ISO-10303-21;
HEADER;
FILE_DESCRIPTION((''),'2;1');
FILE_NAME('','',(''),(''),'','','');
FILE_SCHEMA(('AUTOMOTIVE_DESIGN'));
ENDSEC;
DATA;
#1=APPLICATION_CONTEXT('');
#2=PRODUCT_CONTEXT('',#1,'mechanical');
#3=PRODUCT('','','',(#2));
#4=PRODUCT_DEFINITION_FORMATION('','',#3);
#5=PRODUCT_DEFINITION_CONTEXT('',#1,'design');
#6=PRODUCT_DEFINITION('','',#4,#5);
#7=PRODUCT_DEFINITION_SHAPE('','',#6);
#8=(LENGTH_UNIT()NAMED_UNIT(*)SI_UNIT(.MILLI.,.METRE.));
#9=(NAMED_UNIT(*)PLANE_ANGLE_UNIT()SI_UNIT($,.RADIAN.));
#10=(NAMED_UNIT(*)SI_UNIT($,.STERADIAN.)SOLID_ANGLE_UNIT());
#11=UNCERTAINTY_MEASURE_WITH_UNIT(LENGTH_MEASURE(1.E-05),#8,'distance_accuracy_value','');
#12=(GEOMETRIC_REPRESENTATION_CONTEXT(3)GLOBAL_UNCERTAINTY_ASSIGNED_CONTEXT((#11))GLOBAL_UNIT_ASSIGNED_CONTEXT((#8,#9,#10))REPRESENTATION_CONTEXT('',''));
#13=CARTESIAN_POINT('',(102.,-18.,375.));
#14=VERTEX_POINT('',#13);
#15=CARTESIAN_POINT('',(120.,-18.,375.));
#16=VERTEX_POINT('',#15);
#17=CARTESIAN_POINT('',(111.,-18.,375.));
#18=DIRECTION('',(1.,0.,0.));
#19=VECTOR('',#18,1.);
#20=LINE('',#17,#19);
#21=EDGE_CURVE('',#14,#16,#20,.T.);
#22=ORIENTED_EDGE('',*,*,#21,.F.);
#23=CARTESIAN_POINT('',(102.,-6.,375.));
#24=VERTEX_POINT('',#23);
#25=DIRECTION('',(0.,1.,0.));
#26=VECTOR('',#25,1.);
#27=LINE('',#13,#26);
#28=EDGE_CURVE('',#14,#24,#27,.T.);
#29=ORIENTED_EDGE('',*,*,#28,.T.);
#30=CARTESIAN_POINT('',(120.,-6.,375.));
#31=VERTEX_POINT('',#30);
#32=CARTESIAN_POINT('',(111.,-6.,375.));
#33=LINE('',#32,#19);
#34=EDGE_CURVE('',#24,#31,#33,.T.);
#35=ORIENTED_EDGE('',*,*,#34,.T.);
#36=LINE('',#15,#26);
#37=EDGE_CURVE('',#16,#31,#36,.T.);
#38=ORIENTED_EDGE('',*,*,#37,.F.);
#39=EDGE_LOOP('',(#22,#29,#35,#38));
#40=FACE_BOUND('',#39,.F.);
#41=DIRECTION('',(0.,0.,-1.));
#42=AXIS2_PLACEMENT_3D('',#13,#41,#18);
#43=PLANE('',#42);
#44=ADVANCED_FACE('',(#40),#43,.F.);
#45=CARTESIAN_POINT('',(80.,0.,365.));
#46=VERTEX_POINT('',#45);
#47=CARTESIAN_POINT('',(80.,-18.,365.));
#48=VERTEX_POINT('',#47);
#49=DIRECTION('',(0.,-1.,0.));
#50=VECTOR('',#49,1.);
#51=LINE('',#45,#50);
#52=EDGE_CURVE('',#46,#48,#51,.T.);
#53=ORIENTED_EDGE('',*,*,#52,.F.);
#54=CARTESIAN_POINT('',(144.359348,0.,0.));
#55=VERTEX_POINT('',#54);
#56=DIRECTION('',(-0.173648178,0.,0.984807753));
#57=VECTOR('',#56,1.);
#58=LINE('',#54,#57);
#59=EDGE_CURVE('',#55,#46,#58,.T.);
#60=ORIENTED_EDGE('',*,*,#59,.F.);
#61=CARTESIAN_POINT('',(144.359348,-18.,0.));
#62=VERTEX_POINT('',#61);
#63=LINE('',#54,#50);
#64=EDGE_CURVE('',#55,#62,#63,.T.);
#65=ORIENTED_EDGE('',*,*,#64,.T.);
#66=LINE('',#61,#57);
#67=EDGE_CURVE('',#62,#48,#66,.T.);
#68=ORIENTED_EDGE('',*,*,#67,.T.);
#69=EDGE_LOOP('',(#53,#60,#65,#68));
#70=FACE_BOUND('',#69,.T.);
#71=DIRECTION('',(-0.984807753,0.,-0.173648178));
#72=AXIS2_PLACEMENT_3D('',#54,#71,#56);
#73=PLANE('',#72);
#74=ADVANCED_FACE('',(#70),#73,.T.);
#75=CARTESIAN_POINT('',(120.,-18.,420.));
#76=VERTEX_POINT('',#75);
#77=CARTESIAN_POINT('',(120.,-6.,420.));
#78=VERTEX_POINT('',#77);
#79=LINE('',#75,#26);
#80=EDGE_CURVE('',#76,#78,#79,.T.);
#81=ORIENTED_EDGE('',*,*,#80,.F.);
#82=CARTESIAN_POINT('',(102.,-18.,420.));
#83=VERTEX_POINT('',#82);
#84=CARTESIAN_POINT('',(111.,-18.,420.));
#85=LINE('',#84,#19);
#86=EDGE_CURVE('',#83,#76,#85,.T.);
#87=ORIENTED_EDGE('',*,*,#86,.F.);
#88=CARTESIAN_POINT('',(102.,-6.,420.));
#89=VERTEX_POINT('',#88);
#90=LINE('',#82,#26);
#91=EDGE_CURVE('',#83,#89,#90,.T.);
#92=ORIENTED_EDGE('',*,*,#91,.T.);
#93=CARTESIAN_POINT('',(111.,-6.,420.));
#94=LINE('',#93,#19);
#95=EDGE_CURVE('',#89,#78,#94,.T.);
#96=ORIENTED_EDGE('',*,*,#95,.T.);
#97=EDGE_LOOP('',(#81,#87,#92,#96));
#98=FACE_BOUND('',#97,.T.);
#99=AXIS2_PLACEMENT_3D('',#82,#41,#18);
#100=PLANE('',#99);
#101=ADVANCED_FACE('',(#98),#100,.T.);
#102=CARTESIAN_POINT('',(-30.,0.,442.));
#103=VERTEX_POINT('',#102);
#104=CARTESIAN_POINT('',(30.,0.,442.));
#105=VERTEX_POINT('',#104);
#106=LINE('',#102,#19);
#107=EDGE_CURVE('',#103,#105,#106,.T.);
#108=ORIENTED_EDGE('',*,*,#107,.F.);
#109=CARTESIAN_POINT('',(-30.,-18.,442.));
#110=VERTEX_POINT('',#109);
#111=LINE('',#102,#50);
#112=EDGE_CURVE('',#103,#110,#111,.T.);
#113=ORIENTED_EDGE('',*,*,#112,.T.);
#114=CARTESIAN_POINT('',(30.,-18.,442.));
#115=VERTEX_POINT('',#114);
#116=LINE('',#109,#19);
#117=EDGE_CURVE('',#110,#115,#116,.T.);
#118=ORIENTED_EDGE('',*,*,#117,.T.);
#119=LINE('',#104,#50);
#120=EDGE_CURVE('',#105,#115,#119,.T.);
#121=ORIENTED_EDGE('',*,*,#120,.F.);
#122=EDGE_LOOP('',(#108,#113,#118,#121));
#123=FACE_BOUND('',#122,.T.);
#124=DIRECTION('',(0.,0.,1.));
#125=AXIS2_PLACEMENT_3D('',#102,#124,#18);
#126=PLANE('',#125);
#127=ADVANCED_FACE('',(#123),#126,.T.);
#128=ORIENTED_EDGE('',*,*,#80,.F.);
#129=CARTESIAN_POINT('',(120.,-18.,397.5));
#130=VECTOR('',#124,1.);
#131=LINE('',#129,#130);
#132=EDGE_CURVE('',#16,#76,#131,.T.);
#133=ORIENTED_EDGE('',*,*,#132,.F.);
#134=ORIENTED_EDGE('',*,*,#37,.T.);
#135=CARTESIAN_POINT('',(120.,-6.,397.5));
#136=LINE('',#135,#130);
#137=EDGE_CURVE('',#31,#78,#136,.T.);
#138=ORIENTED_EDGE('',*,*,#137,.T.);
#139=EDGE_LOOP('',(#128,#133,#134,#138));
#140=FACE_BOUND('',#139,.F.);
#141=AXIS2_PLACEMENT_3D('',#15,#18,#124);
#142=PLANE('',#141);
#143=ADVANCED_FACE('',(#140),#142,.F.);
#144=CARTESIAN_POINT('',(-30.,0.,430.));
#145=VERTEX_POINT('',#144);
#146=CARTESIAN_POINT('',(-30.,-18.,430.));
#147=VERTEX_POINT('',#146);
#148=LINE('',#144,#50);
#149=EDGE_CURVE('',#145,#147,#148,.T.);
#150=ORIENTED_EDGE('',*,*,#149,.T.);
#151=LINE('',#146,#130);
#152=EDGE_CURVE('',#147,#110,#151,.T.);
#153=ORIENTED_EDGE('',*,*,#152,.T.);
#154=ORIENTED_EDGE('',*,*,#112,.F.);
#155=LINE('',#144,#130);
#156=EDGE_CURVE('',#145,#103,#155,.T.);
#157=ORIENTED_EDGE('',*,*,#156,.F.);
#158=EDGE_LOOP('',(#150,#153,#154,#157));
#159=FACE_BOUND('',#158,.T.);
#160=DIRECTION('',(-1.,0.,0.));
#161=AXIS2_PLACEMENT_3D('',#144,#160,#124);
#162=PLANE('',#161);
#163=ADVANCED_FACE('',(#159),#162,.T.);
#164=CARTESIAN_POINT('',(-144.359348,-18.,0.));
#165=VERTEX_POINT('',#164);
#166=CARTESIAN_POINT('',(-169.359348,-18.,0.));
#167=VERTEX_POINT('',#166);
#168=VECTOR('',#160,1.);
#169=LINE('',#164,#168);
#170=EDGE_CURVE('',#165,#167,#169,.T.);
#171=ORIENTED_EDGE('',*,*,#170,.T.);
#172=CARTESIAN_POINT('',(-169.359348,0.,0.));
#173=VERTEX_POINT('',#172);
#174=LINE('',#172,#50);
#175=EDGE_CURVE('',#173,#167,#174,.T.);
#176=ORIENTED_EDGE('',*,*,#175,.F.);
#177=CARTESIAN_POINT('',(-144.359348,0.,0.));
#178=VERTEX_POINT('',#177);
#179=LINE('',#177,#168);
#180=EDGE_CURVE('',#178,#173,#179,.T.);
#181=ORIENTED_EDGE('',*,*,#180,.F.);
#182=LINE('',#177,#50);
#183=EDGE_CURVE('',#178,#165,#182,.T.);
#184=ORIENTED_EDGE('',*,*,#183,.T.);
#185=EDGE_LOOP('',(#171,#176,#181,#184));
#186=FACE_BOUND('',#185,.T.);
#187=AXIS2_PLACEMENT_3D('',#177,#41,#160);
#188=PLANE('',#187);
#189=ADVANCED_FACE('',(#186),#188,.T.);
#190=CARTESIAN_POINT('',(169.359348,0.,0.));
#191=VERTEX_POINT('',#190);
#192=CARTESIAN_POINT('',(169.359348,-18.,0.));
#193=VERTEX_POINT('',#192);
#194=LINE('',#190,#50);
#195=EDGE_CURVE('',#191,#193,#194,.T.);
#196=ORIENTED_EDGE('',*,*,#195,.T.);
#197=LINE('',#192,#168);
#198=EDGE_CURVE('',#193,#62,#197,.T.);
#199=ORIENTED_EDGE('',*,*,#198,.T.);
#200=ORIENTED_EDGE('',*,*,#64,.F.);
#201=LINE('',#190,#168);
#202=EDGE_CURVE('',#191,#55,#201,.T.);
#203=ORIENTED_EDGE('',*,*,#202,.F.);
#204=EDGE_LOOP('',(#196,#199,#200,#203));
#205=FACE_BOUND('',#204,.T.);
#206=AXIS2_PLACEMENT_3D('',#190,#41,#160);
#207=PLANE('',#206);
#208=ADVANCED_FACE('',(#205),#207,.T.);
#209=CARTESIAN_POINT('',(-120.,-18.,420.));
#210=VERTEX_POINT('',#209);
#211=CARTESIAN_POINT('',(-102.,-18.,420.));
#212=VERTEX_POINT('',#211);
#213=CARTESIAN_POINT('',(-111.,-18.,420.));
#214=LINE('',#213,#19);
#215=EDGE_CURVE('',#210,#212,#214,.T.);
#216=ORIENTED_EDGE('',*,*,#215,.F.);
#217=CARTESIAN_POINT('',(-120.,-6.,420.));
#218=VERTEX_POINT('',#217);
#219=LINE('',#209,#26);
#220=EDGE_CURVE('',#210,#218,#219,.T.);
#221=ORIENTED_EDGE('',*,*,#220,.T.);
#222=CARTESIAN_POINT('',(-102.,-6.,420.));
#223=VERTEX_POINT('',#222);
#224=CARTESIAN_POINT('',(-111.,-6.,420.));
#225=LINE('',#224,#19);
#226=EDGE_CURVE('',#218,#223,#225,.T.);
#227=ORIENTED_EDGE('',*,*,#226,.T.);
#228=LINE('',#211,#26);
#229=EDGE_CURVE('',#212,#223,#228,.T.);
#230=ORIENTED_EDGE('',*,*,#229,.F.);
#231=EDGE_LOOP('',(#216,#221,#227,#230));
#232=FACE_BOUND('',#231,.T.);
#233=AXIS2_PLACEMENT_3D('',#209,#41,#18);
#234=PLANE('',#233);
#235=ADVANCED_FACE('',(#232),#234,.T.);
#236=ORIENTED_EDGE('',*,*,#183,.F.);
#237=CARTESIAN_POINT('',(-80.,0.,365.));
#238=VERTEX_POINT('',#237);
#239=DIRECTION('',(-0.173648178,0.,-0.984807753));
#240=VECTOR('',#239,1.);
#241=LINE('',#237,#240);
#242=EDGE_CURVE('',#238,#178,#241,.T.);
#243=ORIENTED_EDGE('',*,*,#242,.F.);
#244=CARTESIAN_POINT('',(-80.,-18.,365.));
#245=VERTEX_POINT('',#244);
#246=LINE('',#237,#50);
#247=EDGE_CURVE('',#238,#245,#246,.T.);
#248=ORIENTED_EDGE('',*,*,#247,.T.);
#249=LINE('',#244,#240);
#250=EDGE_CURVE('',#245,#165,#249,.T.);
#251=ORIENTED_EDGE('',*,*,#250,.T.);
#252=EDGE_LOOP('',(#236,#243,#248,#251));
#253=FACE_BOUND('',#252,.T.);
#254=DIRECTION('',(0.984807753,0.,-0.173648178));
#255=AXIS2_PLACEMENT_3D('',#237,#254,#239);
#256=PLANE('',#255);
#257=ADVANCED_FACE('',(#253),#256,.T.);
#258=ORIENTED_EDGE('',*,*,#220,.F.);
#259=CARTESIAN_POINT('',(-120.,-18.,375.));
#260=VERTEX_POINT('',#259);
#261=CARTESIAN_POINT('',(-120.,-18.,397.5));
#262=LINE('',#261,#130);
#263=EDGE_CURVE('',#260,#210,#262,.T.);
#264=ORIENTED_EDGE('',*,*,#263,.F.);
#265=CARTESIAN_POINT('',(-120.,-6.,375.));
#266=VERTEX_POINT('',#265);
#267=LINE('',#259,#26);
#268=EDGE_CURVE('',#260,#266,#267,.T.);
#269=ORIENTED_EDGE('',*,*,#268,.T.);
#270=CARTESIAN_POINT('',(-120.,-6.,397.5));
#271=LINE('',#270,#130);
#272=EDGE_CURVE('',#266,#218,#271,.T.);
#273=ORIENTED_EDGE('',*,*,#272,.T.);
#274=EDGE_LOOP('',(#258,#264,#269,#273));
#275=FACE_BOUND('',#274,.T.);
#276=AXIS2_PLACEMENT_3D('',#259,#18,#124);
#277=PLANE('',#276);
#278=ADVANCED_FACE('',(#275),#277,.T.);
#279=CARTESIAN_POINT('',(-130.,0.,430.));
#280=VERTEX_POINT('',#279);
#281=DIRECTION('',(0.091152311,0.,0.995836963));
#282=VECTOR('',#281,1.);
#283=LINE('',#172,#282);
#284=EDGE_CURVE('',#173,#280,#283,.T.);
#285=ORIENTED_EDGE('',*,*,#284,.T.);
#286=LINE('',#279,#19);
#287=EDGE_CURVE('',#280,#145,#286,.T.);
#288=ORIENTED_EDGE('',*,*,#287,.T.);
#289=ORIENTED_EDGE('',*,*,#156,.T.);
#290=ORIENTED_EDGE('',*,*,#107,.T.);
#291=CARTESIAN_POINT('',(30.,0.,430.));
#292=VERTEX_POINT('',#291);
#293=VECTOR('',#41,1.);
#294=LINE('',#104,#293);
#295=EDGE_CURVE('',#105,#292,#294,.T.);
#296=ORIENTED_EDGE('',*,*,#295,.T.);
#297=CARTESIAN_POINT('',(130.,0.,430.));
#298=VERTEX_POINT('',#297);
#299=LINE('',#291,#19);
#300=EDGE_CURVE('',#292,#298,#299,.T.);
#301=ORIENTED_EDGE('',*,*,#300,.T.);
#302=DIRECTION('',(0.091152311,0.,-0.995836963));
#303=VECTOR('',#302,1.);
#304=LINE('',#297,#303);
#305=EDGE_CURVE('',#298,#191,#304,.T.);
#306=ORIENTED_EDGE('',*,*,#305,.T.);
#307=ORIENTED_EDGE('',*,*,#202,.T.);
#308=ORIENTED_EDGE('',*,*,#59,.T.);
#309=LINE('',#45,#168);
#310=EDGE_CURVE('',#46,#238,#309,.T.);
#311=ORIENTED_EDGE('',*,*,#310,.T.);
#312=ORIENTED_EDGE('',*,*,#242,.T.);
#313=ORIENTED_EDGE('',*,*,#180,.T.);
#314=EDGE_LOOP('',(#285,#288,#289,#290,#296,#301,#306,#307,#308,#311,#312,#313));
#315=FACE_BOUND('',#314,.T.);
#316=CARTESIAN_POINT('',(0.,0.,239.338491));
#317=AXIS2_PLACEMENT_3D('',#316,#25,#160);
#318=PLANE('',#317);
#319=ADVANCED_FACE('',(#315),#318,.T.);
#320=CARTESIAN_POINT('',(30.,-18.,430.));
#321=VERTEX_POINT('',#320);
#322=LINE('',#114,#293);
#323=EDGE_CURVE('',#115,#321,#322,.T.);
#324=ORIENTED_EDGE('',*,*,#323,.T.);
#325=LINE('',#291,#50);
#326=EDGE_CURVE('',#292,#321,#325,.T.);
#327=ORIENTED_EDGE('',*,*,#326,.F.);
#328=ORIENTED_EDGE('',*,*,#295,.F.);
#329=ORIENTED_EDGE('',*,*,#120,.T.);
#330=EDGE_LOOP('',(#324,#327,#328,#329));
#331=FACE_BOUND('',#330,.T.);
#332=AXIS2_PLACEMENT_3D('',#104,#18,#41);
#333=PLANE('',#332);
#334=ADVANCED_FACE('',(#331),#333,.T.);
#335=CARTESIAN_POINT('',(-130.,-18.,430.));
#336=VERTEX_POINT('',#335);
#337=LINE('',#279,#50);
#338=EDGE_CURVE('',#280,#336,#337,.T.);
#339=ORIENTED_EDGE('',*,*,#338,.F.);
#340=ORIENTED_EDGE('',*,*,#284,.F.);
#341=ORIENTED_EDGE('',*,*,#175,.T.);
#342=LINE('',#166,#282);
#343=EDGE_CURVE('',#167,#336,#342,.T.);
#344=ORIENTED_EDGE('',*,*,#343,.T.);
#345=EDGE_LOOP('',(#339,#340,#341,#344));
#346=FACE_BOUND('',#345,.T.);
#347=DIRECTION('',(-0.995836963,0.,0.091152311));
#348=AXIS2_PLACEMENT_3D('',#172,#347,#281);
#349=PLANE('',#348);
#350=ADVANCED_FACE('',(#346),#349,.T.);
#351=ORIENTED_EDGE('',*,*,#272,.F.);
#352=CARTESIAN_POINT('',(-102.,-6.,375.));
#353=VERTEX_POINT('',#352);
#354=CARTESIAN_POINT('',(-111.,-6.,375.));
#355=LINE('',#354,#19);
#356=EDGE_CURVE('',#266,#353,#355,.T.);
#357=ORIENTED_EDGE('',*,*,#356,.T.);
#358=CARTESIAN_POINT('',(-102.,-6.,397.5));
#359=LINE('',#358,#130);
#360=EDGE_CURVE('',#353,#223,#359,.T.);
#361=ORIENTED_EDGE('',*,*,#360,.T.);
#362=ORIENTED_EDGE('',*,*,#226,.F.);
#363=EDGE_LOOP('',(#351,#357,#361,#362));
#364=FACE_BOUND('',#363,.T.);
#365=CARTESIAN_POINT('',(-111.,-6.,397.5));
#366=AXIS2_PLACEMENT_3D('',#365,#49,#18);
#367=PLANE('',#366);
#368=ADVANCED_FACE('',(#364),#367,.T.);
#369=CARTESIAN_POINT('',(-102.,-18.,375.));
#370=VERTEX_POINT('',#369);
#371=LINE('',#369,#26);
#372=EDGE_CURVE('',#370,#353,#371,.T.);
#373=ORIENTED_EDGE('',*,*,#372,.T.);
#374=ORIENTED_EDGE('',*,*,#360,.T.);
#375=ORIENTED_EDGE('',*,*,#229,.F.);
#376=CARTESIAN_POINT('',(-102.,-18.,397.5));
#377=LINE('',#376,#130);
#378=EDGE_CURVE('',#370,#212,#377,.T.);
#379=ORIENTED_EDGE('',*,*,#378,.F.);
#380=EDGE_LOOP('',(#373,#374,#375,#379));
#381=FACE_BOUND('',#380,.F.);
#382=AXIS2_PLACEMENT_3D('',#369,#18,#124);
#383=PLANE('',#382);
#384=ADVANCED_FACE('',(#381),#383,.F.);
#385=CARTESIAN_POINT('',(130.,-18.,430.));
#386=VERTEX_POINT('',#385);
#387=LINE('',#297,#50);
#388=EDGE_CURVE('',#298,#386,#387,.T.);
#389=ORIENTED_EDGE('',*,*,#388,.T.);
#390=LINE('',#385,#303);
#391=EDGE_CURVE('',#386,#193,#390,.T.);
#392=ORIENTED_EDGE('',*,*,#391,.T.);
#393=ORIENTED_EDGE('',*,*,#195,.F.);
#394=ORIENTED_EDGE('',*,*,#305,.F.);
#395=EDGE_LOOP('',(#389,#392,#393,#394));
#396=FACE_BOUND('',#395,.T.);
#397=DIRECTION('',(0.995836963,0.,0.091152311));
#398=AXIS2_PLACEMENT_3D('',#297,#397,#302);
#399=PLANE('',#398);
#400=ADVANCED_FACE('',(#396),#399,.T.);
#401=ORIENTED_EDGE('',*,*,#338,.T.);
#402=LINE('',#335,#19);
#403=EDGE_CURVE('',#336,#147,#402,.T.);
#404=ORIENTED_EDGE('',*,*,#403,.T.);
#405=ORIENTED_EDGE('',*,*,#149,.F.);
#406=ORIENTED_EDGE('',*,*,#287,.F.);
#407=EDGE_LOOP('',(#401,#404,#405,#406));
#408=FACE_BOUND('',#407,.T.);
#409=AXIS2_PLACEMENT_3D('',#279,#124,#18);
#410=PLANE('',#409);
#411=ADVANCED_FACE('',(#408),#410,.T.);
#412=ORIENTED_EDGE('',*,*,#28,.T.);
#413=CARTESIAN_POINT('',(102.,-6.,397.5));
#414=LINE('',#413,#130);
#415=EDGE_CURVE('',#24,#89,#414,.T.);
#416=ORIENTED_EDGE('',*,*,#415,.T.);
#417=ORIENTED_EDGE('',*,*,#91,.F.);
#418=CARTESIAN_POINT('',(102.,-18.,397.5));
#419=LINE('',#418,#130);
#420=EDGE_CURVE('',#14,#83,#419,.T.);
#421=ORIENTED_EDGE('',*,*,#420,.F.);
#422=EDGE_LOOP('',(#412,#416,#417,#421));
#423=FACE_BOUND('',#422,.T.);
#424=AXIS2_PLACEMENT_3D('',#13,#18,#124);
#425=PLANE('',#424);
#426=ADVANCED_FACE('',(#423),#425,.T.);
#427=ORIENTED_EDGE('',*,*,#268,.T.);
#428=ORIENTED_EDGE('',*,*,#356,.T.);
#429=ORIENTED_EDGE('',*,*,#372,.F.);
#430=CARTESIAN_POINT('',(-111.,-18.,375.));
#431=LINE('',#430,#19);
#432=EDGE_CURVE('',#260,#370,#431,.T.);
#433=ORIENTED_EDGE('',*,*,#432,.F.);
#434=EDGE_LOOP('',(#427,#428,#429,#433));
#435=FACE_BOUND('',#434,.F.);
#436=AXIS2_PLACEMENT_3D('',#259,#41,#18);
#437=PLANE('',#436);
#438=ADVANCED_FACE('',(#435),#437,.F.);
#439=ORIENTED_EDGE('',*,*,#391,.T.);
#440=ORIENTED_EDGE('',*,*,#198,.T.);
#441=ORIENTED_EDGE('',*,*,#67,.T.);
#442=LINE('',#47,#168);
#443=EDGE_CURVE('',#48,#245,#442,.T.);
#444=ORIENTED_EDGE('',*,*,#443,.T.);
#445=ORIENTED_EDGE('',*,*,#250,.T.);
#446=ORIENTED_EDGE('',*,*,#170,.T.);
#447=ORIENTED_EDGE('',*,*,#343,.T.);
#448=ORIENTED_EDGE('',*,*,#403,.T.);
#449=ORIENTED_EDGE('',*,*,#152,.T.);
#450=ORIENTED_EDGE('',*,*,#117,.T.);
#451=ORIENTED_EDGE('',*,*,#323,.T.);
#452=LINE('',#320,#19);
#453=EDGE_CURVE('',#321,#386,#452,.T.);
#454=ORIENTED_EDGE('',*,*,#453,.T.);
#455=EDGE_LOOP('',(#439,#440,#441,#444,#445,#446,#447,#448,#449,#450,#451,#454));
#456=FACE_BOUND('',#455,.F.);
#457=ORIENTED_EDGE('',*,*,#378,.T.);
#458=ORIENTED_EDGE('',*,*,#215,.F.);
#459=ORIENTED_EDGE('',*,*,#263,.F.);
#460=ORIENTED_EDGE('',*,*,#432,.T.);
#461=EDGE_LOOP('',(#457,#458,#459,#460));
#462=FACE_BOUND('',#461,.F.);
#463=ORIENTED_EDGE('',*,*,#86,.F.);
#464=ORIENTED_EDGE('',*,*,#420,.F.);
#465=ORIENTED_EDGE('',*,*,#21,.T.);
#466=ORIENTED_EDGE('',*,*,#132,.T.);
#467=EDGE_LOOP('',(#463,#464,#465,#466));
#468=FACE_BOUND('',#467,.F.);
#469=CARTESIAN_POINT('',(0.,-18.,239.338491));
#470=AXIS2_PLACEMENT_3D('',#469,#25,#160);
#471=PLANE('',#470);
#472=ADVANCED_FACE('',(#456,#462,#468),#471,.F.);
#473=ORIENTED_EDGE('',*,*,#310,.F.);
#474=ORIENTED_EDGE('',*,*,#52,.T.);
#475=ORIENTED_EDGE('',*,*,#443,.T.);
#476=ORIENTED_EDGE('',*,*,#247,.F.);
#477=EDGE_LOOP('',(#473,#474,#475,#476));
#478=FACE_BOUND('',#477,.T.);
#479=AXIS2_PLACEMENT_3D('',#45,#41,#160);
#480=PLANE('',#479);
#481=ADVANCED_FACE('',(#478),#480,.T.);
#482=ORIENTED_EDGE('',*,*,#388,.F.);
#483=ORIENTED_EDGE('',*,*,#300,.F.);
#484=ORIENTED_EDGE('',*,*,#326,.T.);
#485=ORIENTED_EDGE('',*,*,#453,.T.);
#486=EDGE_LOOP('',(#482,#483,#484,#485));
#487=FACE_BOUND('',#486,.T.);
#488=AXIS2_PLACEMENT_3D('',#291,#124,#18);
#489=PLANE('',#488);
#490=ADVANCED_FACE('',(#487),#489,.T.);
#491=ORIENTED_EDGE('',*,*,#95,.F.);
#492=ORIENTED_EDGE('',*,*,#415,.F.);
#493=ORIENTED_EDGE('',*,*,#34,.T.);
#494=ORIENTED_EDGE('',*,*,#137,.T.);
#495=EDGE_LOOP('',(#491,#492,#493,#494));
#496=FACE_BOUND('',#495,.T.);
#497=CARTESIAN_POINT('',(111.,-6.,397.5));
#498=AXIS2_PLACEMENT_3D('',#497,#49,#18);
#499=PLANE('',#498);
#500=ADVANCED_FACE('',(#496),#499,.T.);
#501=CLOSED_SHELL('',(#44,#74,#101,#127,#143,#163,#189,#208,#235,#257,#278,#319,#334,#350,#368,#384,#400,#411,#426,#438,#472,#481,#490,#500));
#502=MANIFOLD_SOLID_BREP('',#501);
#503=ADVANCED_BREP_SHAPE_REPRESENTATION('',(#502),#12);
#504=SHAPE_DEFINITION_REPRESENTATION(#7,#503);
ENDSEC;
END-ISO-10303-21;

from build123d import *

# Parameters (mm, degrees)
PAD_DEPTH    = 18
SKETCH001_W  = 18
SKETCH001_H  = 45
POCKET_DEPTH = 12


with BuildPart() as part:
    # Sketch → Pad (new body)
    with BuildSketch(Plane.XZ):
        Polygon((-169.359348, 0), (-130, 430), (-30, 430), (-30, 442), (30, 442), (30, 430), (130, 430), (169.359348, 0), (144.359348, 0), (80, 365), (-80, 365), (-144.359348, 0), align=None)
    extrude(amount=PAD_DEPTH)

    # Sketch001 → Pocket (cut)
    with BuildSketch(Plane.XZ.offset(18)):
        with Locations((-111, 397.5)):
            Rectangle(SKETCH001_W, SKETCH001_H)
        with Locations((111, 397.5)):
            Rectangle(SKETCH001_W, SKETCH001_H)
    extrude(amount=-POCKET_DEPTH, mode=Mode.SUBTRACT)


solid = part.part
